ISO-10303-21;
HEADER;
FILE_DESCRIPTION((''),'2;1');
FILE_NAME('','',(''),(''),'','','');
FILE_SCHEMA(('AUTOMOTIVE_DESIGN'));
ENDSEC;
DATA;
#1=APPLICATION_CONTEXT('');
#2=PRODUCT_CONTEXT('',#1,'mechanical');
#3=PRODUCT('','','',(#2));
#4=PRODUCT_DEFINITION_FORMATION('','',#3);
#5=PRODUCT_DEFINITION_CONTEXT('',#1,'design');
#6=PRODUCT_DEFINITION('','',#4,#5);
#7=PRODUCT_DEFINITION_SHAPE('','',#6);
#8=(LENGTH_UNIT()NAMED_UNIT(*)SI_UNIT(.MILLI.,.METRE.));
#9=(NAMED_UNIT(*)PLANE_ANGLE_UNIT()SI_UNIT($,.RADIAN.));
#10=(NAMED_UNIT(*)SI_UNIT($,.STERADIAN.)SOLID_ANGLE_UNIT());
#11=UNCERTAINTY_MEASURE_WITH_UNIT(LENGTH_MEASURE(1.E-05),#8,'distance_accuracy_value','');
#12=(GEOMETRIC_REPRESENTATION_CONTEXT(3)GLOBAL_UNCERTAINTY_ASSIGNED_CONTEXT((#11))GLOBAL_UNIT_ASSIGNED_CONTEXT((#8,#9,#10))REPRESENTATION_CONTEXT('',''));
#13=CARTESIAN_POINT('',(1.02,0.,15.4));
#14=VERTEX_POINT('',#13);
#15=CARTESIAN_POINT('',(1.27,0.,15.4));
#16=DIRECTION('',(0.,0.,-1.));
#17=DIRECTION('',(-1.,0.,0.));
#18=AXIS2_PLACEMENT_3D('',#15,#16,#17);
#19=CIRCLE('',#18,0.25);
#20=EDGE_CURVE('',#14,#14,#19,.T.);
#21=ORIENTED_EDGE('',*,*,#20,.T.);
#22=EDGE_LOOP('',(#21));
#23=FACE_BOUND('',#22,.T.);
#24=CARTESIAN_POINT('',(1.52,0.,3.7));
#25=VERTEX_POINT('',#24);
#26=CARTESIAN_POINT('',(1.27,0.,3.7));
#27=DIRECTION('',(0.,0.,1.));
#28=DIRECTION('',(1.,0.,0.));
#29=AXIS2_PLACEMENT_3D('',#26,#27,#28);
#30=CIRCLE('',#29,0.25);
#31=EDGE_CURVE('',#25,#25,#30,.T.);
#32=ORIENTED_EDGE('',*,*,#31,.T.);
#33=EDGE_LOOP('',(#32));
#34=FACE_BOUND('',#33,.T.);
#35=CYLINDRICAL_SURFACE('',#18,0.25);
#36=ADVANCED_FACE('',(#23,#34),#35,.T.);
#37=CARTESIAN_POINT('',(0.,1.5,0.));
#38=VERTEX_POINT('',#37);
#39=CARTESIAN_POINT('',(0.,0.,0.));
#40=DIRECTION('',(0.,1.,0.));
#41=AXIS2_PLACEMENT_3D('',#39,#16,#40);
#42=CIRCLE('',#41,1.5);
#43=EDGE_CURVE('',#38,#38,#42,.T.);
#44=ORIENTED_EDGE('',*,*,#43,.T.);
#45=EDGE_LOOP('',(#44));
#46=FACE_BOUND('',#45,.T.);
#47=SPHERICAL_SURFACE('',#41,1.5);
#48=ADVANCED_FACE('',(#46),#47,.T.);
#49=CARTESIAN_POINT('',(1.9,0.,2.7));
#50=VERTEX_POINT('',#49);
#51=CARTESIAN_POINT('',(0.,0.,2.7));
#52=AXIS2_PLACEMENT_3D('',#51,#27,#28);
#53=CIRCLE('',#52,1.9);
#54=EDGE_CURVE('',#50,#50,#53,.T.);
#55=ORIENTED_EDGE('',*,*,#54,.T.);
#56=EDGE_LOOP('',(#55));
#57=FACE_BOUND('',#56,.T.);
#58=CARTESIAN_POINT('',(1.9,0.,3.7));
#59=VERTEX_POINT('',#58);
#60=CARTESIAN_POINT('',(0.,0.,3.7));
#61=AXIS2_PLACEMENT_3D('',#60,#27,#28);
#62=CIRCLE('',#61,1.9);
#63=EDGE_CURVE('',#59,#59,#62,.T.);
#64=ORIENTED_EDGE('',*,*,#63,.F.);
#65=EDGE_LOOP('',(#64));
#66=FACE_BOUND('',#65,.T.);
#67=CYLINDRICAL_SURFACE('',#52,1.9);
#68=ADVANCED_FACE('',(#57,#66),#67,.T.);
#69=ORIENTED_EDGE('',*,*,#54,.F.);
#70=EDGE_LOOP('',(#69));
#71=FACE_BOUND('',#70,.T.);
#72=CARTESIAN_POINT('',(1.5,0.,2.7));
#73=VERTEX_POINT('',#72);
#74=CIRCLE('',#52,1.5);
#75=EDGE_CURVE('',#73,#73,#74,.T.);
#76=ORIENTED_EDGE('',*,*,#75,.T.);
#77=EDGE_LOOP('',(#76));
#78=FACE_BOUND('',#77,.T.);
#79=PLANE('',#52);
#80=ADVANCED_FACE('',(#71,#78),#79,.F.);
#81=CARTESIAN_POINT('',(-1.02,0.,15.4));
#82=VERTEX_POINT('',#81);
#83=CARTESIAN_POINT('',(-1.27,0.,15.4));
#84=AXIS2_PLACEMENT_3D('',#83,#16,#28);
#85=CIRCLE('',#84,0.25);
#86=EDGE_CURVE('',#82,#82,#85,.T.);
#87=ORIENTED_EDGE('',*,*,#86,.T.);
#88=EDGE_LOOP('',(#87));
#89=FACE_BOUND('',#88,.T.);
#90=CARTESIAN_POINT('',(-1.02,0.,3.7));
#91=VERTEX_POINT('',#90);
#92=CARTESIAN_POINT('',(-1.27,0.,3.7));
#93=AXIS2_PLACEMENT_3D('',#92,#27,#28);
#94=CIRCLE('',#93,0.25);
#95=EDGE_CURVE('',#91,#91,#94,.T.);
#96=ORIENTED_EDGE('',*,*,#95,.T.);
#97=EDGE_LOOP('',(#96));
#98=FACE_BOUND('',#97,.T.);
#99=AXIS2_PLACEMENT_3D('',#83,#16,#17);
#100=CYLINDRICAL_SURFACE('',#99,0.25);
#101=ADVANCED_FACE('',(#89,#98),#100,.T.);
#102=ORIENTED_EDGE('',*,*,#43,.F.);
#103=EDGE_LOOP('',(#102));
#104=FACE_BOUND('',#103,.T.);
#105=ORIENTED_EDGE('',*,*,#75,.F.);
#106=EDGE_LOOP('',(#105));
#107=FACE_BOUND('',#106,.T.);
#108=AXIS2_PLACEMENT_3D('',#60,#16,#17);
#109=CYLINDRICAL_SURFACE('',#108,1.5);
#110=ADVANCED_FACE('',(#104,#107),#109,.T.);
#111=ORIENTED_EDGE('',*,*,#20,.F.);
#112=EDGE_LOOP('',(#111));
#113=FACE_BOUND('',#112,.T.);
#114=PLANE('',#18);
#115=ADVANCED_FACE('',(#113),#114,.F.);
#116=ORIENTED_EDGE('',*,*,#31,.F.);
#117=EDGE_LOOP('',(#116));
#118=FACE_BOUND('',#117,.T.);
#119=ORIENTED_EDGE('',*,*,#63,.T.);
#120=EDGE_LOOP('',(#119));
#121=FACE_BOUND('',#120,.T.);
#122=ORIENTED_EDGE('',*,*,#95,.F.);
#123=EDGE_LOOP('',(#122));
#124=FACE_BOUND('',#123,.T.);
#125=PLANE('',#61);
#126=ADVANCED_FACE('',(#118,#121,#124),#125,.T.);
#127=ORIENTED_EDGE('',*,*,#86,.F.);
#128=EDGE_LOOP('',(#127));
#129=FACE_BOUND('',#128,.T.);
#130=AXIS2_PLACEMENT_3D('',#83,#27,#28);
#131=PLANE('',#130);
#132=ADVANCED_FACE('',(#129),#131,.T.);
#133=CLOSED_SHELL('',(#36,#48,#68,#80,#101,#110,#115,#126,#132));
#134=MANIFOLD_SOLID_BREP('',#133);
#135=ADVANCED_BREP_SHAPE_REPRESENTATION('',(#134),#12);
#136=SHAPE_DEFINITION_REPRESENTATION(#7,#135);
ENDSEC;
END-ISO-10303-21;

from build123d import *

# Parameters (mm, degrees)
SKETCH_1_R      = 1.5
EXTRUDE_1_DEPTH = 3.7
SKETCH_2_R      = 1.9
EXTRUDE_2_DEPTH = 1
SKETCH_3_R      = 0.25
EXTRUDE_3_DEPTH = 12.7


with BuildPart() as part:
    # 草图1 → 拉伸1 (new body)
    with BuildSketch(Plane.XY):
        Circle(SKETCH_1_R)
    extrude(amount=EXTRUDE_1_DEPTH)

    # 草图2 → 拉伸2 (add)
    with BuildSketch(Plane.XY.offset(3.7)):
        Circle(SKETCH_2_R)
    extrude(amount=-EXTRUDE_2_DEPTH)

    # 草图3 → 拉伸3 (add)
    with BuildSketch(Plane(origin=(0, 0, 2.7), x_dir=(-1, 0, 0), z_dir=(0, 0, -1))):
        with Locations((-1.27, 0)):
            Circle(SKETCH_3_R)
        with Locations(Location((1.27, 0, 0), (0, 0, 180))):
            Circle(SKETCH_3_R)
    extrude(amount=-EXTRUDE_3_DEPTH)

    # 草图5 → 旋转2 (revolve)
    with BuildSketch(Plane(origin=(0, 0, 0), x_dir=(0, 0, -1), z_dir=(1, 0, 0))):
        with BuildLine():
            Line((0, 1.5), (0, 0))
            Line((0, 0), (1.5, 0))
            ThreePointArc((1.5, 0), (1.060660172, 1.060660172), (0, 1.5))
        make_face()
    revolve(axis=Axis((0, 0, -1.5), (0, 0, 1)))


solid = part.part
